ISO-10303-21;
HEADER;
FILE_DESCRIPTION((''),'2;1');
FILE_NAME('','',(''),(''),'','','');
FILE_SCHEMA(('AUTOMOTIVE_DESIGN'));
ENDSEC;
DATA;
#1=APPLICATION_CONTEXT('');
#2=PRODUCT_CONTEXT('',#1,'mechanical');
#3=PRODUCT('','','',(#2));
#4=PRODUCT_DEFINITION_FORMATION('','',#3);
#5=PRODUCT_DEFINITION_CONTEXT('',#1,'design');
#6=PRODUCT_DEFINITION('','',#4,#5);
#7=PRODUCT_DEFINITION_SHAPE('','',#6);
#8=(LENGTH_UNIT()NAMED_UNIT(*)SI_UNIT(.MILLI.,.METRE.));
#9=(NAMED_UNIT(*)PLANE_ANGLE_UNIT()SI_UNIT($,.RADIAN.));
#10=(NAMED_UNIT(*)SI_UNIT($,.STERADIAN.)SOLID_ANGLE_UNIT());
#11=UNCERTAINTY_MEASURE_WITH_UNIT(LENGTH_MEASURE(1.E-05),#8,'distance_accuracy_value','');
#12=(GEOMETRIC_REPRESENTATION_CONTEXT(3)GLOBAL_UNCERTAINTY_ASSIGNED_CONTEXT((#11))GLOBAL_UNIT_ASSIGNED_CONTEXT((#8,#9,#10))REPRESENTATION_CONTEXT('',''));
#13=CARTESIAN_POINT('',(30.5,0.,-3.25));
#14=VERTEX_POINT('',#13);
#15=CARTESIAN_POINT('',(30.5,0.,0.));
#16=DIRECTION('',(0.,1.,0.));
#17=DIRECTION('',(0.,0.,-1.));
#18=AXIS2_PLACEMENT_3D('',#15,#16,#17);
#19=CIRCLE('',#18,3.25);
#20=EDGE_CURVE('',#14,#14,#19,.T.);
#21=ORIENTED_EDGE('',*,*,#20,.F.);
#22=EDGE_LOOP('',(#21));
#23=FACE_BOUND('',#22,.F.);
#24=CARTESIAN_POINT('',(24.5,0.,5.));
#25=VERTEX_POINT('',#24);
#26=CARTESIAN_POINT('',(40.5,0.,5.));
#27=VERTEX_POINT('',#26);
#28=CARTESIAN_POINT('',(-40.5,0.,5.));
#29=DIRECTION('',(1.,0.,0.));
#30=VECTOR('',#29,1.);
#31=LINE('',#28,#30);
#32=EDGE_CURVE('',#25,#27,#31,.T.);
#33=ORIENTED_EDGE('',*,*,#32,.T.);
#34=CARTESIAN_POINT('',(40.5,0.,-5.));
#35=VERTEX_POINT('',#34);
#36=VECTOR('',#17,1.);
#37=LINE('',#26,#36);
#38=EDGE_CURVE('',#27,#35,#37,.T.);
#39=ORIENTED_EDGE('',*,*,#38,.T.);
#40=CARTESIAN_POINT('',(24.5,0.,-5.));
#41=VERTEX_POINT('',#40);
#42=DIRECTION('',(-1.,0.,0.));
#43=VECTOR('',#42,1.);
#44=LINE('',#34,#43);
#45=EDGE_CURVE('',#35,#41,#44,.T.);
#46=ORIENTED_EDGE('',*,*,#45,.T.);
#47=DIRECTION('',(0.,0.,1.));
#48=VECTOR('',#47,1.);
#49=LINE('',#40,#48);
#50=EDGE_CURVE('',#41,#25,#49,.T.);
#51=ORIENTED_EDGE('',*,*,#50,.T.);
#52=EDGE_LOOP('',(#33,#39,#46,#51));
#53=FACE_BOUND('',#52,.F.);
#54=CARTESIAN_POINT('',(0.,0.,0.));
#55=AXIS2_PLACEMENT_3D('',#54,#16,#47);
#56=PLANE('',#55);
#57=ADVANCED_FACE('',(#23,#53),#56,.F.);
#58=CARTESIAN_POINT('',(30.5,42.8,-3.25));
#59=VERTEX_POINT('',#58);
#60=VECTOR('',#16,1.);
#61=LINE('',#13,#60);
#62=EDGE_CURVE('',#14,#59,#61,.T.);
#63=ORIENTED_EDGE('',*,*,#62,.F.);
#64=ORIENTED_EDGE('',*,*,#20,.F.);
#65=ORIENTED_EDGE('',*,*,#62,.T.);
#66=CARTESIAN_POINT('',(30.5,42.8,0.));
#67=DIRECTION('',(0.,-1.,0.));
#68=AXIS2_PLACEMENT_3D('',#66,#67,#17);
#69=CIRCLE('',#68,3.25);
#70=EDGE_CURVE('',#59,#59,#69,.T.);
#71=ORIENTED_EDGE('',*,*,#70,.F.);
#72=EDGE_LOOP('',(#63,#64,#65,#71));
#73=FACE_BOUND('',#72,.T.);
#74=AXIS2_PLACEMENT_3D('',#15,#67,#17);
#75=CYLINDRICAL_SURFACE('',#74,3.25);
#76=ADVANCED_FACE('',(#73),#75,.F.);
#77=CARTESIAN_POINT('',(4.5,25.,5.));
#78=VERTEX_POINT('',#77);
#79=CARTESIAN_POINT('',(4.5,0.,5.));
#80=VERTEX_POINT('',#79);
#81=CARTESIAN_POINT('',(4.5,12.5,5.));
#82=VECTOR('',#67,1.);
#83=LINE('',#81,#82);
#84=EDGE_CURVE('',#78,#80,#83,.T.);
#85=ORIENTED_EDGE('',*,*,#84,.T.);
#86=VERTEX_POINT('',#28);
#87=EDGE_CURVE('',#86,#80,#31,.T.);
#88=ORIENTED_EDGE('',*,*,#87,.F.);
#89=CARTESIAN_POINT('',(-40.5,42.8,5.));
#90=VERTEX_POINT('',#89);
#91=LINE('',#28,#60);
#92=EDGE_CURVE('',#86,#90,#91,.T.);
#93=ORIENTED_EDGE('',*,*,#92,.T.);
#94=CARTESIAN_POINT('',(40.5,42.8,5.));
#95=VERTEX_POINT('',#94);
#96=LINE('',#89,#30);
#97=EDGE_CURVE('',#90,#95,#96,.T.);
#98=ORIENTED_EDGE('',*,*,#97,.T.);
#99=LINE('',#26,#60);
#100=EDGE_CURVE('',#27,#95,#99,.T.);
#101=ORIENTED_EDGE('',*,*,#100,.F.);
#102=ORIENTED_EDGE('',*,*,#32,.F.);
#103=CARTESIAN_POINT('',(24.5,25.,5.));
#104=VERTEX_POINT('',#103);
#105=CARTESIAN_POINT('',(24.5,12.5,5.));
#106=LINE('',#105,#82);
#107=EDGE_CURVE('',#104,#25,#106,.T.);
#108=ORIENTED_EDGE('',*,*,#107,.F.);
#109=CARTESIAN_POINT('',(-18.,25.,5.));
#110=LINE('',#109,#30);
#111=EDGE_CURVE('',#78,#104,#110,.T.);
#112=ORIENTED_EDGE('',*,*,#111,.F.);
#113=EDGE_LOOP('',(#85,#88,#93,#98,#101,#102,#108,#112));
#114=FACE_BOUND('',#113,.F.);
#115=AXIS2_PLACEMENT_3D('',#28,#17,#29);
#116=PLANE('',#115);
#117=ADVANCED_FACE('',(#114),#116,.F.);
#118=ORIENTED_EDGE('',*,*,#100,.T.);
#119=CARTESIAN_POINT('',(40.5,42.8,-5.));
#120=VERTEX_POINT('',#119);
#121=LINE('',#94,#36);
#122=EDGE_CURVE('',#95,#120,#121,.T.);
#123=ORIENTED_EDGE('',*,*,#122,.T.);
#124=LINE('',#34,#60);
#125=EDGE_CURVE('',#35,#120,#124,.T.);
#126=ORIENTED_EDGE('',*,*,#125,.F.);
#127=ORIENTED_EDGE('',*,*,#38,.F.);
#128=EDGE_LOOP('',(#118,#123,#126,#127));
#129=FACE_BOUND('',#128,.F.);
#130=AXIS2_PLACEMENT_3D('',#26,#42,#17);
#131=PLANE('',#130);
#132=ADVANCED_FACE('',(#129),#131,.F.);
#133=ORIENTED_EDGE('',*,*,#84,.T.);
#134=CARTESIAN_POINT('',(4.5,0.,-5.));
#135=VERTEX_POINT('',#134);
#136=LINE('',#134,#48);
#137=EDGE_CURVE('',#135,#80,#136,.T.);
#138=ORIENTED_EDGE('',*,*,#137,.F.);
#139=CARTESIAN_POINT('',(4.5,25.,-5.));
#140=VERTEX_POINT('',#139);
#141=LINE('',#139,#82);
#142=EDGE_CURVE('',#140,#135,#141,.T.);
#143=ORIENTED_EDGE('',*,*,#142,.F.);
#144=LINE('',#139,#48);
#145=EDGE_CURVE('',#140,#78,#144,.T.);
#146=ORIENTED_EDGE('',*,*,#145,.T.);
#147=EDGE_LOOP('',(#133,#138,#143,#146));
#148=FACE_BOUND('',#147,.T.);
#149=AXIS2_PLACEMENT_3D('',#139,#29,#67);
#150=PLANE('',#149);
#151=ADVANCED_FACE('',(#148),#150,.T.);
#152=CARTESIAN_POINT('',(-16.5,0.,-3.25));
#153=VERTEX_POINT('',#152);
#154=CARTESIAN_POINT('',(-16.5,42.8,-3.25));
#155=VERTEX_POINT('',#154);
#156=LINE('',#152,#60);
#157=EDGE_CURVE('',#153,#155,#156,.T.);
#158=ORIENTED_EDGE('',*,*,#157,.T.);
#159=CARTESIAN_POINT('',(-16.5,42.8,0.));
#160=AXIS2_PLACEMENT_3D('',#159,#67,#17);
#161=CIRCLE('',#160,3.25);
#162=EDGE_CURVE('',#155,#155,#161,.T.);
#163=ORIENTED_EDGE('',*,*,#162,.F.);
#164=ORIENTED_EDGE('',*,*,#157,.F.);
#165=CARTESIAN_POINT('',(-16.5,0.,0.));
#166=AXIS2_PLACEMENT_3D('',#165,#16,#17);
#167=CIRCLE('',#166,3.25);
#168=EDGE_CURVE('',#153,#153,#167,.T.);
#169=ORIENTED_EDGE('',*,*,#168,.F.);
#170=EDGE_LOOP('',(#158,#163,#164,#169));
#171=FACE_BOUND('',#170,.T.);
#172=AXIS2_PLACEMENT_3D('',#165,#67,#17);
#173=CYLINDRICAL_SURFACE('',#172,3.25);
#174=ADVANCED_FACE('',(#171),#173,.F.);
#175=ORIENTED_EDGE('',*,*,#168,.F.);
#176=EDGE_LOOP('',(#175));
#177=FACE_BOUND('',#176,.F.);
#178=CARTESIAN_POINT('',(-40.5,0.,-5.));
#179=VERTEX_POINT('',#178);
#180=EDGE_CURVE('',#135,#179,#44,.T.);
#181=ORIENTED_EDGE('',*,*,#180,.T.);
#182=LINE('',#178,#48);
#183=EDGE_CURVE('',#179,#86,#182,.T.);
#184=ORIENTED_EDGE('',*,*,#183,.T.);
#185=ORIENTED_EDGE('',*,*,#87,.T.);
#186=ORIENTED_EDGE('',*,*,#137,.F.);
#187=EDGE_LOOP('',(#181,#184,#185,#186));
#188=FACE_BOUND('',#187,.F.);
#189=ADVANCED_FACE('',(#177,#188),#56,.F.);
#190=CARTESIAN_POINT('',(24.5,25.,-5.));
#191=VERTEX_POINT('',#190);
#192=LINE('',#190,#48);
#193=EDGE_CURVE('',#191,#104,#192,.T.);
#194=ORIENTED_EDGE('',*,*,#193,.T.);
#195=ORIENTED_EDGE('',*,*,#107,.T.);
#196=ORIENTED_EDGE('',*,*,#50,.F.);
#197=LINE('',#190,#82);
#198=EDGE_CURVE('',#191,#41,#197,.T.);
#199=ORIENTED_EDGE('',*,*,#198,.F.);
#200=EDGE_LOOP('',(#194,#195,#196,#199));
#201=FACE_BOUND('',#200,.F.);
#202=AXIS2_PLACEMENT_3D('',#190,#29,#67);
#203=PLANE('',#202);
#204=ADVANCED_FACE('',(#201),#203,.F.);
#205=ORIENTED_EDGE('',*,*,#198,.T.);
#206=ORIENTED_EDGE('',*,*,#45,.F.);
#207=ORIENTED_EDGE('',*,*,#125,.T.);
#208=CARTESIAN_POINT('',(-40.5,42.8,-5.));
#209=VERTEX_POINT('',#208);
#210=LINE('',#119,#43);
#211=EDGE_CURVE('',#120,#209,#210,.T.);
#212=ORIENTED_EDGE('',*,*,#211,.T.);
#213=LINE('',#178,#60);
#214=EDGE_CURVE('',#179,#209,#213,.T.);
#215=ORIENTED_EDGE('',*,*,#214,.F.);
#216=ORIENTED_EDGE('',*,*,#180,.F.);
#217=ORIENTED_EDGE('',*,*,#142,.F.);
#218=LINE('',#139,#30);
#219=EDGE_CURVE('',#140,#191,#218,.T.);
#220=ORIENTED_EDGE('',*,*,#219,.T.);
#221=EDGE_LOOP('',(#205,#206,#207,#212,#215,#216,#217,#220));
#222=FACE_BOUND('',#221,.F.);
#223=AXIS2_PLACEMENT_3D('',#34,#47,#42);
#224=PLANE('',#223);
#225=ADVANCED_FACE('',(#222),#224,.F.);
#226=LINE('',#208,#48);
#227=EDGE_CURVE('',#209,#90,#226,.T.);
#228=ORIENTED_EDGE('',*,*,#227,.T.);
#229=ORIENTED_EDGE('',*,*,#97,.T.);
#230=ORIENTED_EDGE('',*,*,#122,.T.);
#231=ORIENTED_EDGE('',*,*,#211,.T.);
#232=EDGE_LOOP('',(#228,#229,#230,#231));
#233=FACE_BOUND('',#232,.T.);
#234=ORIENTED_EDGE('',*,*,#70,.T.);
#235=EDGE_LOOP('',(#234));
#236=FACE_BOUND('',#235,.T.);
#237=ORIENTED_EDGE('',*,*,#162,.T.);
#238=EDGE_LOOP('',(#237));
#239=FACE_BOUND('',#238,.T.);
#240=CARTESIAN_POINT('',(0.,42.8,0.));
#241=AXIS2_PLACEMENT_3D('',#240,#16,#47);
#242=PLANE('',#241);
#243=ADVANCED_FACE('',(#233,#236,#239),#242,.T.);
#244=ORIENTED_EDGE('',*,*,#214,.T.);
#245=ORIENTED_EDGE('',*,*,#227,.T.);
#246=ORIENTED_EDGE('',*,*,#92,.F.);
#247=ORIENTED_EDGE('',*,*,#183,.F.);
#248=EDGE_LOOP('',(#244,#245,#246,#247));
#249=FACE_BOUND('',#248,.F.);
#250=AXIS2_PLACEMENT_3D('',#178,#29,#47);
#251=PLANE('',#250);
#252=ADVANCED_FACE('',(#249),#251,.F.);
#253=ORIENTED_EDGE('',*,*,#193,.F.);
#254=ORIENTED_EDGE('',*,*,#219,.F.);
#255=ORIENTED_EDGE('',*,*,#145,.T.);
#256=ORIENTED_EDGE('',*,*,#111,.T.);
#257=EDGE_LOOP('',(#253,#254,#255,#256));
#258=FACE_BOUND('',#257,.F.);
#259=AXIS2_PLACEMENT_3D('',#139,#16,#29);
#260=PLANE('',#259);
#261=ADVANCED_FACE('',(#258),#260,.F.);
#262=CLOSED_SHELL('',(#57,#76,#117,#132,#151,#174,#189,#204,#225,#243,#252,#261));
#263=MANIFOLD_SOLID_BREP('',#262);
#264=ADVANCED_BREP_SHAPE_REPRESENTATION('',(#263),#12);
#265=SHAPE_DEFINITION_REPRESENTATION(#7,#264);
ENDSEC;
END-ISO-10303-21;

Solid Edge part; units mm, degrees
sketch "Sketch1" plane through (0, 0, 0) normal (0, -1, 0) x (1, 0, 0)
  line L0 (40.5, -5) -> (-40.5, -5)
  line L1 (-40.5, -5) -> (-40.5, 5)
  line L2 (-40.5, 5) -> (40.5, 5)
  line L3 (40.5, 5) -> (40.5, -5)
  dimension "D1" = 81
  dimension "D2" = 10
extrude "Protrusion1" add sketch "Sketch1" against normal blind 42.8
hole "Agujero_1" at (-16.5, 0, 0) direction (0, 1, 0) diameter 6.5 end through all
hole "Hole1" at (30.5, 0, 0) direction (0, 1, 0) diameter 6.5 end through all
sketch "Sketch2" plane through (0, 21.4, -5) normal (0, 0, -1) x (1, 0, 0)
  line L0 (24.5, -3.6) -> (24.5, 21.4)
  line L1 (4.5, -3.6) -> (24.5, -3.6)
  line L2 (4.5, -3.6) -> (4.5, 21.4)
  dimension "D1" = 20
  dimension "D2" = 25
  dimension "D3" = 16
extrude "Cutout1" cut sketch "Sketch2" against normal through all material side at (24.45, 12.5, -5)
properties part number "1976-1100-016" material "Aluminio, 7075-T6"
